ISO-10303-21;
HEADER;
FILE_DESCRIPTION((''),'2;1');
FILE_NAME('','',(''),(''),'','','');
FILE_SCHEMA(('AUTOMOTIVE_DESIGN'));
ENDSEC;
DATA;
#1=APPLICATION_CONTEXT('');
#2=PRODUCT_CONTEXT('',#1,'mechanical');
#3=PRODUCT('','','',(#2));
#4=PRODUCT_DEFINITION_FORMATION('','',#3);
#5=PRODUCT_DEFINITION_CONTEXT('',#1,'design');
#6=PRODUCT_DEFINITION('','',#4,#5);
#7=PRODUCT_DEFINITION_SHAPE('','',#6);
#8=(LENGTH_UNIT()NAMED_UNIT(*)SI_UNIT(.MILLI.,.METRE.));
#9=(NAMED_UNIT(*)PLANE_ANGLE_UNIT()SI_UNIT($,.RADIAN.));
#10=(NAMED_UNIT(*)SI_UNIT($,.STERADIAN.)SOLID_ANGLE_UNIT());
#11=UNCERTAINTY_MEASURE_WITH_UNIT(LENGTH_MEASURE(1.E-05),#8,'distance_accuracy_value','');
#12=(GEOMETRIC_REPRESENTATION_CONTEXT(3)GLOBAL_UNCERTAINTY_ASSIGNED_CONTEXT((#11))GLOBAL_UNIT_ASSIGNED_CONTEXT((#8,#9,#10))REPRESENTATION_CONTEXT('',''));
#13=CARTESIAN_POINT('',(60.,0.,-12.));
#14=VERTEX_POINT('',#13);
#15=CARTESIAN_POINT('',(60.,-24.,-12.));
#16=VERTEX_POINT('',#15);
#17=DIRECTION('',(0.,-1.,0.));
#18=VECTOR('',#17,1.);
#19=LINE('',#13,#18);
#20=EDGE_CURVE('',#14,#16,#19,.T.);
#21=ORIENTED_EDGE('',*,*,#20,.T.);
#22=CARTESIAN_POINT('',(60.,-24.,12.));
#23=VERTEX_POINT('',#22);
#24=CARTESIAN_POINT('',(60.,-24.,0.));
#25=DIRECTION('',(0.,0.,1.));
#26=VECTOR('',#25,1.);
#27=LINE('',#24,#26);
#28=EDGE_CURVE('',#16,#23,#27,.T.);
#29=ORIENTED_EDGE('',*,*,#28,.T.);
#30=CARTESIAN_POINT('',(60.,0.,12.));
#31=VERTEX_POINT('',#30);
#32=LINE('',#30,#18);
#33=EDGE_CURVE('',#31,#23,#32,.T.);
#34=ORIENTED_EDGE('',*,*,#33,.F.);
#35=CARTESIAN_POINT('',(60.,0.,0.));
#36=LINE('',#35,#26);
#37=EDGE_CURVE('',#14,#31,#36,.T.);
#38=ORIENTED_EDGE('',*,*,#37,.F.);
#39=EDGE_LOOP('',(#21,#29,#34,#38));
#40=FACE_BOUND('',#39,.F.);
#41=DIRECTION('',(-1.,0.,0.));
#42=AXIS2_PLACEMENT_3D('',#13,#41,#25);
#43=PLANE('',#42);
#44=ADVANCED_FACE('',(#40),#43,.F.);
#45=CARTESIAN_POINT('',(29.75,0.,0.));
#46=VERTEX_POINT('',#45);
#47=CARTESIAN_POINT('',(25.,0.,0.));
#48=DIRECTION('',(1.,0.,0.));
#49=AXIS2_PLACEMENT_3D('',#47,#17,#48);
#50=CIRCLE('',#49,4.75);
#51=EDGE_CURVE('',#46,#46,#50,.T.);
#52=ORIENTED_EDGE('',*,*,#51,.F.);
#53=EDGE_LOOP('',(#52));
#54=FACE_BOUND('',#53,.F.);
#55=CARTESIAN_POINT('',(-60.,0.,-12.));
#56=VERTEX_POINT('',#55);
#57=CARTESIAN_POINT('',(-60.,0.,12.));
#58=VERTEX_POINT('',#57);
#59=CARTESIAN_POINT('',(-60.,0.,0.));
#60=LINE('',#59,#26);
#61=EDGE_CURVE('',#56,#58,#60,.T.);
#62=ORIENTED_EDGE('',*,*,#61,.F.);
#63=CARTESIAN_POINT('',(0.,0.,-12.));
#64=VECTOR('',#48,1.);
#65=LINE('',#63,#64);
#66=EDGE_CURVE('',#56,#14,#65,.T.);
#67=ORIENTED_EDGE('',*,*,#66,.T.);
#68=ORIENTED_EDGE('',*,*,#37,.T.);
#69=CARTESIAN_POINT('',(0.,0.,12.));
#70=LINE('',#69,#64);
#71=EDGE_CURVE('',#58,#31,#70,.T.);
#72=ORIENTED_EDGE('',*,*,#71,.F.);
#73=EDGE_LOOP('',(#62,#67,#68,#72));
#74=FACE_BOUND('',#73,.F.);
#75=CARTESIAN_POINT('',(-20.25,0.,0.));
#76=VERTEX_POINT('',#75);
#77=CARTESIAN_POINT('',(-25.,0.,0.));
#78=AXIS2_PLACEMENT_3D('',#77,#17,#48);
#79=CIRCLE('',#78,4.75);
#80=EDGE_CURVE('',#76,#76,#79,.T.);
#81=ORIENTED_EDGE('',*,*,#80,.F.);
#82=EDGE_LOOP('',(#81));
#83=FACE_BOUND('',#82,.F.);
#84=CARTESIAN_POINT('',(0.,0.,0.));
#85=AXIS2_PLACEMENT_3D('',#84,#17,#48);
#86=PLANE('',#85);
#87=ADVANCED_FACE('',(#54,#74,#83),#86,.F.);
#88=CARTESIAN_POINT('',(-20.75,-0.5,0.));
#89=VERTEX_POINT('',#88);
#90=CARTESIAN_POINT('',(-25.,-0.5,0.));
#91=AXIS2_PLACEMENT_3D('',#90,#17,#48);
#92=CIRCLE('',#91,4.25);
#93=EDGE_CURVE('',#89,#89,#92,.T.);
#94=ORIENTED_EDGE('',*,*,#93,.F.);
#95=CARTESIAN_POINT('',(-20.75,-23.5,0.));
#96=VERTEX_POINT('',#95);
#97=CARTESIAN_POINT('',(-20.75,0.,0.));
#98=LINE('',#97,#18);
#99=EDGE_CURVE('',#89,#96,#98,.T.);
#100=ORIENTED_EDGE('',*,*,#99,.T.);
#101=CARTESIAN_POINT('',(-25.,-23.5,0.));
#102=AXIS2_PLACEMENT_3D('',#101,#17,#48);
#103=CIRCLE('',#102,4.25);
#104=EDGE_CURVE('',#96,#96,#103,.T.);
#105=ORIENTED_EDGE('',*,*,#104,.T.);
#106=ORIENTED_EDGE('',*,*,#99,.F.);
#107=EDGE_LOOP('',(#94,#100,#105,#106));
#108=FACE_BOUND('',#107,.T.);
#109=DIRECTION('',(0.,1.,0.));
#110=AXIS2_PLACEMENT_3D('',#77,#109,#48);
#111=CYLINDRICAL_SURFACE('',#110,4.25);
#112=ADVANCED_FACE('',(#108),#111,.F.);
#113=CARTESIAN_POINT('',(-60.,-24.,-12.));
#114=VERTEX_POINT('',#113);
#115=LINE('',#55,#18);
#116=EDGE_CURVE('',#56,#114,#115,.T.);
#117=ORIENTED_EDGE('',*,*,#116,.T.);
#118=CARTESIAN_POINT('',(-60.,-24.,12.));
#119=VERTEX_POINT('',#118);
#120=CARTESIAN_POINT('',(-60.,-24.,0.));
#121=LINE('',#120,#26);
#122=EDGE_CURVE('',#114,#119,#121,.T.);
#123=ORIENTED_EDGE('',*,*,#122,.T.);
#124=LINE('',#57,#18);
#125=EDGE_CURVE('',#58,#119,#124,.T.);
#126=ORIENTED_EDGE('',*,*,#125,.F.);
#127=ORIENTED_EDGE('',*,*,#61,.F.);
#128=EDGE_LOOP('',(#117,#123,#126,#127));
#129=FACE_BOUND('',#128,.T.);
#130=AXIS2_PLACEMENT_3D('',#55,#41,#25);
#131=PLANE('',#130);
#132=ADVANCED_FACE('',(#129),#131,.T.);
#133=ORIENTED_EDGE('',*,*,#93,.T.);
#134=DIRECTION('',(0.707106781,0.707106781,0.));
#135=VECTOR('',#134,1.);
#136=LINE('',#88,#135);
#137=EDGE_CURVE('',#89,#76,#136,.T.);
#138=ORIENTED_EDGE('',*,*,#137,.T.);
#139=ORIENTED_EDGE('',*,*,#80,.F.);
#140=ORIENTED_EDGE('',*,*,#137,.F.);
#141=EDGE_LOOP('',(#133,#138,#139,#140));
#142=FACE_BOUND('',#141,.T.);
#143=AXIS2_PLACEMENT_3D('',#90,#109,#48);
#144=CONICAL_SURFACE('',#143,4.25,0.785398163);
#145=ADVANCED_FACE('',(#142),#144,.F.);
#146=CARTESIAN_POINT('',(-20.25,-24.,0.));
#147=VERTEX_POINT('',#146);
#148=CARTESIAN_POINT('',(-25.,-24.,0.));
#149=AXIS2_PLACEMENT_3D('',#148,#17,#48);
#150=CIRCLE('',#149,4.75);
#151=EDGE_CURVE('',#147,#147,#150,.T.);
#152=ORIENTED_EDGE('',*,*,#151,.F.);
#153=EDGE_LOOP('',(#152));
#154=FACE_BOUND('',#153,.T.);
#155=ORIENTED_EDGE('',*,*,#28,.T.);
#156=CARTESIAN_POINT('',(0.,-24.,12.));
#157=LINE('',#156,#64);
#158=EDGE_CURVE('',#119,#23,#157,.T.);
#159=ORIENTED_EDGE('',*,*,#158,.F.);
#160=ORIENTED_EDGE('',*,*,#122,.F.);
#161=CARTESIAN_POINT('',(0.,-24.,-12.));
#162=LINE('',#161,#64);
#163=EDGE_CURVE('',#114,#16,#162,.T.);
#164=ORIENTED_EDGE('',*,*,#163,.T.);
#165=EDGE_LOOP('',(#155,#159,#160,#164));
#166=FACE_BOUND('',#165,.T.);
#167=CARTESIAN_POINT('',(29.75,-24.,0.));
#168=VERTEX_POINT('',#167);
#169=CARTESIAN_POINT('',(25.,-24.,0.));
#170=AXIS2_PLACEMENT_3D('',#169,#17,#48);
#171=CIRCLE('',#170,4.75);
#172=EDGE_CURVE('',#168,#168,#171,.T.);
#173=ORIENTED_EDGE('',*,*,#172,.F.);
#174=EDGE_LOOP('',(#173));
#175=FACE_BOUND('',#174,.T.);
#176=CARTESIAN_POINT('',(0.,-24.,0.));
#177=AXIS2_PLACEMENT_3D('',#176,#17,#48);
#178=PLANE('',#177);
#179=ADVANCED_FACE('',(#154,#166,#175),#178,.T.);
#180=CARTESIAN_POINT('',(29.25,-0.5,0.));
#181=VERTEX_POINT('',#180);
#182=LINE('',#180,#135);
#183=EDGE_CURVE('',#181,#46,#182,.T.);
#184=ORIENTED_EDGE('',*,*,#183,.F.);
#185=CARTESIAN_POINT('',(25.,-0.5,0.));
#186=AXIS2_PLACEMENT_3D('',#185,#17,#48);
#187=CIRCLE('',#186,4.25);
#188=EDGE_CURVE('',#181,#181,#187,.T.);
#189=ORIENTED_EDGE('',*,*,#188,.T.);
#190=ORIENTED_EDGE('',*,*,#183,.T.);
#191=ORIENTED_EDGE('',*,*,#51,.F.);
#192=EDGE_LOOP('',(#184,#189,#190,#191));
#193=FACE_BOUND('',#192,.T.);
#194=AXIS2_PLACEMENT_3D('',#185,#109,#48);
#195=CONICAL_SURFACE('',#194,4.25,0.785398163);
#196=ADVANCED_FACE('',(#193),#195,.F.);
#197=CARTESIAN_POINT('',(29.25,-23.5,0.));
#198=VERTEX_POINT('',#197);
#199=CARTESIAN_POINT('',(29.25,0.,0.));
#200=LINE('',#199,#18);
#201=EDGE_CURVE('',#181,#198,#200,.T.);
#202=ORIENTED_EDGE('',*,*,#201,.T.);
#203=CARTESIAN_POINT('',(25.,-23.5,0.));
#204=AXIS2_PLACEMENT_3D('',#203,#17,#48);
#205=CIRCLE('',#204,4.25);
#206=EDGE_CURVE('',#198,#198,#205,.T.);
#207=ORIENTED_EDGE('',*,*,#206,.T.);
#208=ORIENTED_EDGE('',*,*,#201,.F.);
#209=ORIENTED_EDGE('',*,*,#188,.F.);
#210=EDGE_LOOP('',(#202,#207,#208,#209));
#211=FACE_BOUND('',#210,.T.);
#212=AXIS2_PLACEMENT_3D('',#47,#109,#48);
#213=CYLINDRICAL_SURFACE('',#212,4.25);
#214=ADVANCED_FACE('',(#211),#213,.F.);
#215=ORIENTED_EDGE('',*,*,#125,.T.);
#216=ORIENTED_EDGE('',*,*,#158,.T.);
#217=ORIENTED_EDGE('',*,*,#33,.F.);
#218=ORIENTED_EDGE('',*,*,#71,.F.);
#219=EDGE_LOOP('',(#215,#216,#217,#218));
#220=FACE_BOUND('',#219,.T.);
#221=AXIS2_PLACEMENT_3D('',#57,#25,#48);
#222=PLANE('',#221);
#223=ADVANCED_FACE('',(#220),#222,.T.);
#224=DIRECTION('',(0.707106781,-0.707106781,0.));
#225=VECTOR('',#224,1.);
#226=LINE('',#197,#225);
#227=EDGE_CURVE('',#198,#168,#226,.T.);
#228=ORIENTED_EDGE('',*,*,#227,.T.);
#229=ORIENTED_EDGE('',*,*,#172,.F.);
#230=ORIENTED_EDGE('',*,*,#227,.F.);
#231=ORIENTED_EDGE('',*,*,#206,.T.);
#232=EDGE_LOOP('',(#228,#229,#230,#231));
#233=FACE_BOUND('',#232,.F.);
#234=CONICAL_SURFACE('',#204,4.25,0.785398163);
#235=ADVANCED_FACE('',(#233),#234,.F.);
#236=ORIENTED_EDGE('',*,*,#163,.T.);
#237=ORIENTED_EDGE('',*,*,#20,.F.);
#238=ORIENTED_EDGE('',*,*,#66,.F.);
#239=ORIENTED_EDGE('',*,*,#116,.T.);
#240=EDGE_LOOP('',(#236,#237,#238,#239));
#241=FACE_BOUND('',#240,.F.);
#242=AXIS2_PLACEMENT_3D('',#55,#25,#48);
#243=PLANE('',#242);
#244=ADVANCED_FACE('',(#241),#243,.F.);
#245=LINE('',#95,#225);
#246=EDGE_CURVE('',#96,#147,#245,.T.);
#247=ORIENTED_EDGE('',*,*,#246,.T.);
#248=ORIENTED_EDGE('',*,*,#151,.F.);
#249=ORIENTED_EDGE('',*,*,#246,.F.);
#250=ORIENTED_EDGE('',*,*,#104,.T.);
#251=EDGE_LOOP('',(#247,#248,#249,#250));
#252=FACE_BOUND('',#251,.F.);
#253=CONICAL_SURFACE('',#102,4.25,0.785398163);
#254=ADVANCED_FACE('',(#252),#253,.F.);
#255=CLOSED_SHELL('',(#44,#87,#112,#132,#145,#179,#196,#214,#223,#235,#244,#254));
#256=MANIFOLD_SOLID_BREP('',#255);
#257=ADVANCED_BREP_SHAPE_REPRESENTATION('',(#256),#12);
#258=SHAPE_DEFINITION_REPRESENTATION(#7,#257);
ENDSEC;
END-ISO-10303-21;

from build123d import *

# Parameters (mm, degrees)
F0_W     = 120
F0_H     = 24
F0_R     = 4.25
F1_DEPTH = 24
F2_SIZE  = 0.5


with BuildPart() as f1:
    # F0 (on Front) → F1 (new body)
    with BuildSketch(Plane.XZ):
        Rectangle(F0_W, F0_H)
        with Locations((-25, 0)):
            Circle(F0_R, mode=Mode.SUBTRACT)
        with Locations((25, 0)):
            Circle(F0_R, mode=Mode.SUBTRACT)
    extrude(amount=F1_DEPTH)

    # F2
    f2_edges = [f1.edges().sort_by_distance(p)[0] for p in [
        (-20.75, -12, 0),
        (-29.25, 0, 0),
        (-29.25, -24, 0),
        (29.25, -12, 0),
        (20.75, 0, 0),
        (20.75, -24, 0),
    ]]
    chamfer(f2_edges, length=F2_SIZE)


solid = f1.part
